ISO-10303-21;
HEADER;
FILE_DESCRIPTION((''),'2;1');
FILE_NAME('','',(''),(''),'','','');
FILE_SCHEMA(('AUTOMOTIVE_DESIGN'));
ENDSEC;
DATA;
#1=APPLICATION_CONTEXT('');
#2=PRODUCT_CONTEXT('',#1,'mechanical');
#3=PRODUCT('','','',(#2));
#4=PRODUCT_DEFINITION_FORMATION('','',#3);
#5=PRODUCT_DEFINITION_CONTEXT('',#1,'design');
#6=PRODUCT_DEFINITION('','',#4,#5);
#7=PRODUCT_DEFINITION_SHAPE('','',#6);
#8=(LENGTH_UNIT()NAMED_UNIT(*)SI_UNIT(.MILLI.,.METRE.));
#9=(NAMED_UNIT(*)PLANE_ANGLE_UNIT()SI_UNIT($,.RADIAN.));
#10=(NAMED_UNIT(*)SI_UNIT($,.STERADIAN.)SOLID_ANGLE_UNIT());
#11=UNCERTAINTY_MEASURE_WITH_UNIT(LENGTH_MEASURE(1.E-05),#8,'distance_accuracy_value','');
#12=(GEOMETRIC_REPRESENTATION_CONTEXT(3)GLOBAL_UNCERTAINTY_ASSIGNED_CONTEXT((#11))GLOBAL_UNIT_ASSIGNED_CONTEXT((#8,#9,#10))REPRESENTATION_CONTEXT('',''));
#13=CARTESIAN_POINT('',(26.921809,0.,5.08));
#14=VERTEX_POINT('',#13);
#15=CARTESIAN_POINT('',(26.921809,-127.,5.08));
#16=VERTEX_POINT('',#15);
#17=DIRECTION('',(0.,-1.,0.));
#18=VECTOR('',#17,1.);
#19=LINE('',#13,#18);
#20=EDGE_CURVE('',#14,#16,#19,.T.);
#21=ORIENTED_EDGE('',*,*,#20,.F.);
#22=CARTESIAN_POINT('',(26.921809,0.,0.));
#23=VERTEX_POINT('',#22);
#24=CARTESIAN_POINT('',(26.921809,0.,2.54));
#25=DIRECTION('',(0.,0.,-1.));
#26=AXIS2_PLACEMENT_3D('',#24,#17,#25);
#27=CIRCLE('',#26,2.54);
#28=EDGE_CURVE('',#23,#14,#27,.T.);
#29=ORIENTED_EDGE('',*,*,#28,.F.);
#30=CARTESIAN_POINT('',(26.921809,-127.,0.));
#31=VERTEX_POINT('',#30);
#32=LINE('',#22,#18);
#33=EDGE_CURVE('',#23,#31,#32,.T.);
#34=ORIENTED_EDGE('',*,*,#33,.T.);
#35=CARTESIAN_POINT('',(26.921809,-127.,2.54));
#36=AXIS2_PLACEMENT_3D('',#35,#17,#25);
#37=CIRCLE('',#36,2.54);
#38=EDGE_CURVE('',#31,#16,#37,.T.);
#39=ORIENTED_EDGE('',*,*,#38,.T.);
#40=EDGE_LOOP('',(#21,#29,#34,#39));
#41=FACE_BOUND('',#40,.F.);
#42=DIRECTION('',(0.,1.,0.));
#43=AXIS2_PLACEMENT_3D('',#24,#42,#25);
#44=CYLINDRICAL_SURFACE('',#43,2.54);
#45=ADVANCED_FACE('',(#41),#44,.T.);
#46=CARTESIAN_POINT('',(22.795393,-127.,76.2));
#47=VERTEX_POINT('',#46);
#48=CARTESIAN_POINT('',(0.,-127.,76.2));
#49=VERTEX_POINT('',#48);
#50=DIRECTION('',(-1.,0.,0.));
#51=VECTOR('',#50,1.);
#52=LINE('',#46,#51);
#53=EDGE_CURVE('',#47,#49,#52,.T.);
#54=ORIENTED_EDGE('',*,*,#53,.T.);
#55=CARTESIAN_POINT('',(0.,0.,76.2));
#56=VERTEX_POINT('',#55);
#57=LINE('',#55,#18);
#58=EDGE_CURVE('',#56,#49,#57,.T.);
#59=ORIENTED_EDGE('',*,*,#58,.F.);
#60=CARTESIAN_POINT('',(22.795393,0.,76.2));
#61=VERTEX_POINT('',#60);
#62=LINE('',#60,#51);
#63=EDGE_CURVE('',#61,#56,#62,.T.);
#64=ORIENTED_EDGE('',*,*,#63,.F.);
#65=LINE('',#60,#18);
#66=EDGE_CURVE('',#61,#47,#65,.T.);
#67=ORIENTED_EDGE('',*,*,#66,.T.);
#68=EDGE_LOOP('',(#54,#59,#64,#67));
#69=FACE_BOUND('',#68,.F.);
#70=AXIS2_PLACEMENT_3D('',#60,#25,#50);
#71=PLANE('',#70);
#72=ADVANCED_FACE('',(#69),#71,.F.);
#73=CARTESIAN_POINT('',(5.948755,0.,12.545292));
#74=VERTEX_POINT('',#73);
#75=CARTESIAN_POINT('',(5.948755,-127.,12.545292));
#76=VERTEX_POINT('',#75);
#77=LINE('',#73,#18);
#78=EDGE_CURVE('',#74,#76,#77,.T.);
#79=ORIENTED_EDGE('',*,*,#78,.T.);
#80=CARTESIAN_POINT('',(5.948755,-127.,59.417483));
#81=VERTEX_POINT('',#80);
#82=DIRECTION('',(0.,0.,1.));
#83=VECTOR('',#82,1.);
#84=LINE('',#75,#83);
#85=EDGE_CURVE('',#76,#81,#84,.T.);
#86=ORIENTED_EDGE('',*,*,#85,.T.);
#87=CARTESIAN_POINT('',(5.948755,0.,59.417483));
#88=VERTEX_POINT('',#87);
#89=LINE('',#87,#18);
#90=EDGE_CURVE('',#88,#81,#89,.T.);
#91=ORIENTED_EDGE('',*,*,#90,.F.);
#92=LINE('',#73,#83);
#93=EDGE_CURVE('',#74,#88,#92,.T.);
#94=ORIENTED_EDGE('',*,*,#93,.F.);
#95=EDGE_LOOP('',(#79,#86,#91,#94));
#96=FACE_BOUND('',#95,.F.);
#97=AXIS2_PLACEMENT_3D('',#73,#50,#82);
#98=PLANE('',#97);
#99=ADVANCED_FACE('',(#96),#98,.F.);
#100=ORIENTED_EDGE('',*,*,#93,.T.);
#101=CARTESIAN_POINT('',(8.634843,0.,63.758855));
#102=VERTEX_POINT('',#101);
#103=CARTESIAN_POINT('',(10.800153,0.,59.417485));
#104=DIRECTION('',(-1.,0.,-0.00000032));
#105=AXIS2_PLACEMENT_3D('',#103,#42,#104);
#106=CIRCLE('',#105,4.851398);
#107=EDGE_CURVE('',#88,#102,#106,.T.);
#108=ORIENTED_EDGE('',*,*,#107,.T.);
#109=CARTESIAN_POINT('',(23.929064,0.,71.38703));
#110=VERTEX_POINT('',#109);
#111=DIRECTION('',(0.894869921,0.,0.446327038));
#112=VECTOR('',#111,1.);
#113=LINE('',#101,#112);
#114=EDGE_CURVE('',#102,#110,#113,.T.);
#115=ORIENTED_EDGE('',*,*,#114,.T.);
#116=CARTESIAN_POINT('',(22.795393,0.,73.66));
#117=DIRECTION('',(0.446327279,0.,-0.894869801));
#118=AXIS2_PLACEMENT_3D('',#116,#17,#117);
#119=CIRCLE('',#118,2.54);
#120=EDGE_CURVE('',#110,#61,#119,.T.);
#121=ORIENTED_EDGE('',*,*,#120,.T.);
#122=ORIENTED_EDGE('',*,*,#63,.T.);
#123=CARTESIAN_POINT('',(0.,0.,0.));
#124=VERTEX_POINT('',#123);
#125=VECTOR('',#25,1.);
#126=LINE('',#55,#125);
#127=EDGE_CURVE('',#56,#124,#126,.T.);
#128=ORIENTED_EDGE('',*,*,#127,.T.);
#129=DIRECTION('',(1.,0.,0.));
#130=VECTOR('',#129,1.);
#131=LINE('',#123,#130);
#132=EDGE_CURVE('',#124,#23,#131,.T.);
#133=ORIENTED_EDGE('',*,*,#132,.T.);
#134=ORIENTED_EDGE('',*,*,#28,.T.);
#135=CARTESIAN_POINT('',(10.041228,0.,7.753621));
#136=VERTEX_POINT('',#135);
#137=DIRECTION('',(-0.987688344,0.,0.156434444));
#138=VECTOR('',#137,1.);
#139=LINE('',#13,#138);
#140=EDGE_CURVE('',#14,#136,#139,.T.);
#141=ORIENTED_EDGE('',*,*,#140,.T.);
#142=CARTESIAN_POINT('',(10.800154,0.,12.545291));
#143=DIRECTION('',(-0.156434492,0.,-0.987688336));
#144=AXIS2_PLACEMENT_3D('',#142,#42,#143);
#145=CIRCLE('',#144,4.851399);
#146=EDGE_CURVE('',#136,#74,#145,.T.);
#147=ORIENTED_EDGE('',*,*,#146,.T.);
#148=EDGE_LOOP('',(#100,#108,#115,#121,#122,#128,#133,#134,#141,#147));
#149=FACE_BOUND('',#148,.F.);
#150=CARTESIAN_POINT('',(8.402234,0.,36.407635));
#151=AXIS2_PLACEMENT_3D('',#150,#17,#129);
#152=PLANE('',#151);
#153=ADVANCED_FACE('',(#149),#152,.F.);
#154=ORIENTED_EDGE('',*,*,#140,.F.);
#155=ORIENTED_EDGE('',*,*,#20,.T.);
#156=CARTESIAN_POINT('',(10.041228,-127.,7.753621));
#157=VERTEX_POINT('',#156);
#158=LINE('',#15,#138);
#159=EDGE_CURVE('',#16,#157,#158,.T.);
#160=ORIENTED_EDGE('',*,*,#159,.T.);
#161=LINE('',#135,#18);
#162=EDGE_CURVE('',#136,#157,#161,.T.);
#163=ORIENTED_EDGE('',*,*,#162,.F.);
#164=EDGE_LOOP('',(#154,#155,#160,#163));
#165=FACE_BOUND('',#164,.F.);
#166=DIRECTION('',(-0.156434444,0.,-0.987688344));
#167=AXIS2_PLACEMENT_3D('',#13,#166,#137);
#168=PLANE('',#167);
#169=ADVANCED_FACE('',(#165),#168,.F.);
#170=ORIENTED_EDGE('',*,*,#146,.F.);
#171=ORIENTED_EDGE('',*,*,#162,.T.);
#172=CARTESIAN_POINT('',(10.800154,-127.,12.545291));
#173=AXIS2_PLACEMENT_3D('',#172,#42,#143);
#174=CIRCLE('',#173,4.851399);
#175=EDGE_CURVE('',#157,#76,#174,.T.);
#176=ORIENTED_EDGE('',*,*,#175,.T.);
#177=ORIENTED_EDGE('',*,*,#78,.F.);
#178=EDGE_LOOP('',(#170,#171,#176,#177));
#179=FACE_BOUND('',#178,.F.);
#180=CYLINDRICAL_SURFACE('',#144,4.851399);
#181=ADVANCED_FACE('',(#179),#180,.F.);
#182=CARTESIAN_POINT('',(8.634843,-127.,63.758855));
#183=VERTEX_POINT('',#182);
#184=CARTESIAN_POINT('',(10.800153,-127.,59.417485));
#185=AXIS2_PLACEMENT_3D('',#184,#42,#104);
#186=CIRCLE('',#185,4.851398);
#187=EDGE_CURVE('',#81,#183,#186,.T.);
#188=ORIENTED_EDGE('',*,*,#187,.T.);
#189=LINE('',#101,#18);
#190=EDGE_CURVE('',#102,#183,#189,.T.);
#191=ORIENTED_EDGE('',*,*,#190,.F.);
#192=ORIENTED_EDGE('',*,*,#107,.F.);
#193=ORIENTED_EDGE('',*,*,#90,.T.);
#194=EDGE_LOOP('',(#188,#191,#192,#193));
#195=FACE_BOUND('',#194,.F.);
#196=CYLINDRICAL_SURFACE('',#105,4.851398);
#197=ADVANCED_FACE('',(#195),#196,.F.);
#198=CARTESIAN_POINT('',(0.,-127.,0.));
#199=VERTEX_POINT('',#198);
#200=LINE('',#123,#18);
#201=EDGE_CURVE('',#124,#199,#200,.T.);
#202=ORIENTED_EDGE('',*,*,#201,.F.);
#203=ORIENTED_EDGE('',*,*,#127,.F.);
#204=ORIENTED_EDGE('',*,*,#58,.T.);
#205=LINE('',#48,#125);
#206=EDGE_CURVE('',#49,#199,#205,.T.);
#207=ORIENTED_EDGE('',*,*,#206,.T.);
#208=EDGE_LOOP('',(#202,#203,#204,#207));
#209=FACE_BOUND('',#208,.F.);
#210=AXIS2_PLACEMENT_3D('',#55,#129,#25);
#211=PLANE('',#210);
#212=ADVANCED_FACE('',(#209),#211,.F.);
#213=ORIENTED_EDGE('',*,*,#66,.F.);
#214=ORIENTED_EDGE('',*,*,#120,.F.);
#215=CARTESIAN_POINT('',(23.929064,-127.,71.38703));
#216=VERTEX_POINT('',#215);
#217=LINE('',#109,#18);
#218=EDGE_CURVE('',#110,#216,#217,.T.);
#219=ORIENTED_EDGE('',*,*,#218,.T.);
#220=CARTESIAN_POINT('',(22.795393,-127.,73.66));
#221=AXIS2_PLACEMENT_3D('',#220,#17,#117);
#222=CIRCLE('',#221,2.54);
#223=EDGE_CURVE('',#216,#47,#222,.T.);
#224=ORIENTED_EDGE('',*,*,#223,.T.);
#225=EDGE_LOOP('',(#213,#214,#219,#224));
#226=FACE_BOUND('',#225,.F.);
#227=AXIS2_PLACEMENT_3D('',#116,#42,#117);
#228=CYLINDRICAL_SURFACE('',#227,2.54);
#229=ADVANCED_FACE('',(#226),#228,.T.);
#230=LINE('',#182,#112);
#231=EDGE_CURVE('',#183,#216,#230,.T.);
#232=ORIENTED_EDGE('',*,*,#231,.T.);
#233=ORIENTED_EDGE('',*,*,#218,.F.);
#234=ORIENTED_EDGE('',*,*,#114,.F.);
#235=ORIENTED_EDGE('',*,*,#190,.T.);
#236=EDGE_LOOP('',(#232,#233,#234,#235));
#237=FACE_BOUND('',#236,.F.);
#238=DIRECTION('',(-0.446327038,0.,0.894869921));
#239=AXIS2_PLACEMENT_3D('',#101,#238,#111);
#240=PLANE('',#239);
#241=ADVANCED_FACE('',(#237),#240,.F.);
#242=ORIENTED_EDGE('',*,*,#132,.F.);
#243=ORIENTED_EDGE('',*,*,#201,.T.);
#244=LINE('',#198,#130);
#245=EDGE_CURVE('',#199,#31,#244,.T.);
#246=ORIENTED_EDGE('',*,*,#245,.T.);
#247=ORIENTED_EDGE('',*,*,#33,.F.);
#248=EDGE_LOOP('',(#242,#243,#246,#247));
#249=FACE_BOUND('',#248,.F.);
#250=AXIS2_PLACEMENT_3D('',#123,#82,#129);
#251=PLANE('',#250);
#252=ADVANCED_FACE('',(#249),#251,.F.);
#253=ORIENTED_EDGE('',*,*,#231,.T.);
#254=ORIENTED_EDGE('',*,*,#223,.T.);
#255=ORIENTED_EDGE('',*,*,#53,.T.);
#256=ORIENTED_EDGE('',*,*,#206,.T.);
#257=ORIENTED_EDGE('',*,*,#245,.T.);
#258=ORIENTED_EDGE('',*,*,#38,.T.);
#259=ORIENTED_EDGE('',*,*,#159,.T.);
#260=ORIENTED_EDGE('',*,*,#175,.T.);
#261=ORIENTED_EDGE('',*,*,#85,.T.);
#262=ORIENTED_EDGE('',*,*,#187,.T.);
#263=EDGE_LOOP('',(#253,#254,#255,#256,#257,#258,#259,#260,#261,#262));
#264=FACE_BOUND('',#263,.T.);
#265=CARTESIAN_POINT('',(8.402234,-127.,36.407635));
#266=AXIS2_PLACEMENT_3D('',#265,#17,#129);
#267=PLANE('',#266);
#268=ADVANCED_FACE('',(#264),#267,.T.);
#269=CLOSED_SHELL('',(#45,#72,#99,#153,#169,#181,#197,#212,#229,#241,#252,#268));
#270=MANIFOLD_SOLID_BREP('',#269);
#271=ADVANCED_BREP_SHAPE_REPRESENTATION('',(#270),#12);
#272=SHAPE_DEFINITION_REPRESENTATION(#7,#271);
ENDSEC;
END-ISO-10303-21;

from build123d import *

# Parameters (mm, degrees)
F1_DEPTH = 127


with BuildPart() as f1:
    # F0 (on Front) → F1 (new body)
    with BuildSketch(Plane.XZ):
        with BuildLine():
            Line((22.795393, 76.2), (0, 76.2))
            Line((0, 76.2), (0, 0))
            Line((0, 0), (26.921809, 0))
            ThreePointArc((26.921809, 0), (29.461809, 2.54), (26.921809, 5.08))
            Line((26.921809, 5.08), (10.041228, 7.753621))
            ThreePointArc((10.041228, 7.753621), (7.111121, 9.39456), (5.948755, 12.545292))
            Line((5.948755, 12.545292), (5.948755, 59.417483))
            ThreePointArc((5.948755, 59.417483), (6.674571, 61.970059), (8.634843, 63.758855))
            Line((8.634843, 63.758855), (23.929064, 71.38703))
            ThreePointArc((23.929064, 71.38703), (25.267734, 74.242348), (22.795393, 76.2))
        make_face()
    extrude(amount=F1_DEPTH)


solid = f1.part
